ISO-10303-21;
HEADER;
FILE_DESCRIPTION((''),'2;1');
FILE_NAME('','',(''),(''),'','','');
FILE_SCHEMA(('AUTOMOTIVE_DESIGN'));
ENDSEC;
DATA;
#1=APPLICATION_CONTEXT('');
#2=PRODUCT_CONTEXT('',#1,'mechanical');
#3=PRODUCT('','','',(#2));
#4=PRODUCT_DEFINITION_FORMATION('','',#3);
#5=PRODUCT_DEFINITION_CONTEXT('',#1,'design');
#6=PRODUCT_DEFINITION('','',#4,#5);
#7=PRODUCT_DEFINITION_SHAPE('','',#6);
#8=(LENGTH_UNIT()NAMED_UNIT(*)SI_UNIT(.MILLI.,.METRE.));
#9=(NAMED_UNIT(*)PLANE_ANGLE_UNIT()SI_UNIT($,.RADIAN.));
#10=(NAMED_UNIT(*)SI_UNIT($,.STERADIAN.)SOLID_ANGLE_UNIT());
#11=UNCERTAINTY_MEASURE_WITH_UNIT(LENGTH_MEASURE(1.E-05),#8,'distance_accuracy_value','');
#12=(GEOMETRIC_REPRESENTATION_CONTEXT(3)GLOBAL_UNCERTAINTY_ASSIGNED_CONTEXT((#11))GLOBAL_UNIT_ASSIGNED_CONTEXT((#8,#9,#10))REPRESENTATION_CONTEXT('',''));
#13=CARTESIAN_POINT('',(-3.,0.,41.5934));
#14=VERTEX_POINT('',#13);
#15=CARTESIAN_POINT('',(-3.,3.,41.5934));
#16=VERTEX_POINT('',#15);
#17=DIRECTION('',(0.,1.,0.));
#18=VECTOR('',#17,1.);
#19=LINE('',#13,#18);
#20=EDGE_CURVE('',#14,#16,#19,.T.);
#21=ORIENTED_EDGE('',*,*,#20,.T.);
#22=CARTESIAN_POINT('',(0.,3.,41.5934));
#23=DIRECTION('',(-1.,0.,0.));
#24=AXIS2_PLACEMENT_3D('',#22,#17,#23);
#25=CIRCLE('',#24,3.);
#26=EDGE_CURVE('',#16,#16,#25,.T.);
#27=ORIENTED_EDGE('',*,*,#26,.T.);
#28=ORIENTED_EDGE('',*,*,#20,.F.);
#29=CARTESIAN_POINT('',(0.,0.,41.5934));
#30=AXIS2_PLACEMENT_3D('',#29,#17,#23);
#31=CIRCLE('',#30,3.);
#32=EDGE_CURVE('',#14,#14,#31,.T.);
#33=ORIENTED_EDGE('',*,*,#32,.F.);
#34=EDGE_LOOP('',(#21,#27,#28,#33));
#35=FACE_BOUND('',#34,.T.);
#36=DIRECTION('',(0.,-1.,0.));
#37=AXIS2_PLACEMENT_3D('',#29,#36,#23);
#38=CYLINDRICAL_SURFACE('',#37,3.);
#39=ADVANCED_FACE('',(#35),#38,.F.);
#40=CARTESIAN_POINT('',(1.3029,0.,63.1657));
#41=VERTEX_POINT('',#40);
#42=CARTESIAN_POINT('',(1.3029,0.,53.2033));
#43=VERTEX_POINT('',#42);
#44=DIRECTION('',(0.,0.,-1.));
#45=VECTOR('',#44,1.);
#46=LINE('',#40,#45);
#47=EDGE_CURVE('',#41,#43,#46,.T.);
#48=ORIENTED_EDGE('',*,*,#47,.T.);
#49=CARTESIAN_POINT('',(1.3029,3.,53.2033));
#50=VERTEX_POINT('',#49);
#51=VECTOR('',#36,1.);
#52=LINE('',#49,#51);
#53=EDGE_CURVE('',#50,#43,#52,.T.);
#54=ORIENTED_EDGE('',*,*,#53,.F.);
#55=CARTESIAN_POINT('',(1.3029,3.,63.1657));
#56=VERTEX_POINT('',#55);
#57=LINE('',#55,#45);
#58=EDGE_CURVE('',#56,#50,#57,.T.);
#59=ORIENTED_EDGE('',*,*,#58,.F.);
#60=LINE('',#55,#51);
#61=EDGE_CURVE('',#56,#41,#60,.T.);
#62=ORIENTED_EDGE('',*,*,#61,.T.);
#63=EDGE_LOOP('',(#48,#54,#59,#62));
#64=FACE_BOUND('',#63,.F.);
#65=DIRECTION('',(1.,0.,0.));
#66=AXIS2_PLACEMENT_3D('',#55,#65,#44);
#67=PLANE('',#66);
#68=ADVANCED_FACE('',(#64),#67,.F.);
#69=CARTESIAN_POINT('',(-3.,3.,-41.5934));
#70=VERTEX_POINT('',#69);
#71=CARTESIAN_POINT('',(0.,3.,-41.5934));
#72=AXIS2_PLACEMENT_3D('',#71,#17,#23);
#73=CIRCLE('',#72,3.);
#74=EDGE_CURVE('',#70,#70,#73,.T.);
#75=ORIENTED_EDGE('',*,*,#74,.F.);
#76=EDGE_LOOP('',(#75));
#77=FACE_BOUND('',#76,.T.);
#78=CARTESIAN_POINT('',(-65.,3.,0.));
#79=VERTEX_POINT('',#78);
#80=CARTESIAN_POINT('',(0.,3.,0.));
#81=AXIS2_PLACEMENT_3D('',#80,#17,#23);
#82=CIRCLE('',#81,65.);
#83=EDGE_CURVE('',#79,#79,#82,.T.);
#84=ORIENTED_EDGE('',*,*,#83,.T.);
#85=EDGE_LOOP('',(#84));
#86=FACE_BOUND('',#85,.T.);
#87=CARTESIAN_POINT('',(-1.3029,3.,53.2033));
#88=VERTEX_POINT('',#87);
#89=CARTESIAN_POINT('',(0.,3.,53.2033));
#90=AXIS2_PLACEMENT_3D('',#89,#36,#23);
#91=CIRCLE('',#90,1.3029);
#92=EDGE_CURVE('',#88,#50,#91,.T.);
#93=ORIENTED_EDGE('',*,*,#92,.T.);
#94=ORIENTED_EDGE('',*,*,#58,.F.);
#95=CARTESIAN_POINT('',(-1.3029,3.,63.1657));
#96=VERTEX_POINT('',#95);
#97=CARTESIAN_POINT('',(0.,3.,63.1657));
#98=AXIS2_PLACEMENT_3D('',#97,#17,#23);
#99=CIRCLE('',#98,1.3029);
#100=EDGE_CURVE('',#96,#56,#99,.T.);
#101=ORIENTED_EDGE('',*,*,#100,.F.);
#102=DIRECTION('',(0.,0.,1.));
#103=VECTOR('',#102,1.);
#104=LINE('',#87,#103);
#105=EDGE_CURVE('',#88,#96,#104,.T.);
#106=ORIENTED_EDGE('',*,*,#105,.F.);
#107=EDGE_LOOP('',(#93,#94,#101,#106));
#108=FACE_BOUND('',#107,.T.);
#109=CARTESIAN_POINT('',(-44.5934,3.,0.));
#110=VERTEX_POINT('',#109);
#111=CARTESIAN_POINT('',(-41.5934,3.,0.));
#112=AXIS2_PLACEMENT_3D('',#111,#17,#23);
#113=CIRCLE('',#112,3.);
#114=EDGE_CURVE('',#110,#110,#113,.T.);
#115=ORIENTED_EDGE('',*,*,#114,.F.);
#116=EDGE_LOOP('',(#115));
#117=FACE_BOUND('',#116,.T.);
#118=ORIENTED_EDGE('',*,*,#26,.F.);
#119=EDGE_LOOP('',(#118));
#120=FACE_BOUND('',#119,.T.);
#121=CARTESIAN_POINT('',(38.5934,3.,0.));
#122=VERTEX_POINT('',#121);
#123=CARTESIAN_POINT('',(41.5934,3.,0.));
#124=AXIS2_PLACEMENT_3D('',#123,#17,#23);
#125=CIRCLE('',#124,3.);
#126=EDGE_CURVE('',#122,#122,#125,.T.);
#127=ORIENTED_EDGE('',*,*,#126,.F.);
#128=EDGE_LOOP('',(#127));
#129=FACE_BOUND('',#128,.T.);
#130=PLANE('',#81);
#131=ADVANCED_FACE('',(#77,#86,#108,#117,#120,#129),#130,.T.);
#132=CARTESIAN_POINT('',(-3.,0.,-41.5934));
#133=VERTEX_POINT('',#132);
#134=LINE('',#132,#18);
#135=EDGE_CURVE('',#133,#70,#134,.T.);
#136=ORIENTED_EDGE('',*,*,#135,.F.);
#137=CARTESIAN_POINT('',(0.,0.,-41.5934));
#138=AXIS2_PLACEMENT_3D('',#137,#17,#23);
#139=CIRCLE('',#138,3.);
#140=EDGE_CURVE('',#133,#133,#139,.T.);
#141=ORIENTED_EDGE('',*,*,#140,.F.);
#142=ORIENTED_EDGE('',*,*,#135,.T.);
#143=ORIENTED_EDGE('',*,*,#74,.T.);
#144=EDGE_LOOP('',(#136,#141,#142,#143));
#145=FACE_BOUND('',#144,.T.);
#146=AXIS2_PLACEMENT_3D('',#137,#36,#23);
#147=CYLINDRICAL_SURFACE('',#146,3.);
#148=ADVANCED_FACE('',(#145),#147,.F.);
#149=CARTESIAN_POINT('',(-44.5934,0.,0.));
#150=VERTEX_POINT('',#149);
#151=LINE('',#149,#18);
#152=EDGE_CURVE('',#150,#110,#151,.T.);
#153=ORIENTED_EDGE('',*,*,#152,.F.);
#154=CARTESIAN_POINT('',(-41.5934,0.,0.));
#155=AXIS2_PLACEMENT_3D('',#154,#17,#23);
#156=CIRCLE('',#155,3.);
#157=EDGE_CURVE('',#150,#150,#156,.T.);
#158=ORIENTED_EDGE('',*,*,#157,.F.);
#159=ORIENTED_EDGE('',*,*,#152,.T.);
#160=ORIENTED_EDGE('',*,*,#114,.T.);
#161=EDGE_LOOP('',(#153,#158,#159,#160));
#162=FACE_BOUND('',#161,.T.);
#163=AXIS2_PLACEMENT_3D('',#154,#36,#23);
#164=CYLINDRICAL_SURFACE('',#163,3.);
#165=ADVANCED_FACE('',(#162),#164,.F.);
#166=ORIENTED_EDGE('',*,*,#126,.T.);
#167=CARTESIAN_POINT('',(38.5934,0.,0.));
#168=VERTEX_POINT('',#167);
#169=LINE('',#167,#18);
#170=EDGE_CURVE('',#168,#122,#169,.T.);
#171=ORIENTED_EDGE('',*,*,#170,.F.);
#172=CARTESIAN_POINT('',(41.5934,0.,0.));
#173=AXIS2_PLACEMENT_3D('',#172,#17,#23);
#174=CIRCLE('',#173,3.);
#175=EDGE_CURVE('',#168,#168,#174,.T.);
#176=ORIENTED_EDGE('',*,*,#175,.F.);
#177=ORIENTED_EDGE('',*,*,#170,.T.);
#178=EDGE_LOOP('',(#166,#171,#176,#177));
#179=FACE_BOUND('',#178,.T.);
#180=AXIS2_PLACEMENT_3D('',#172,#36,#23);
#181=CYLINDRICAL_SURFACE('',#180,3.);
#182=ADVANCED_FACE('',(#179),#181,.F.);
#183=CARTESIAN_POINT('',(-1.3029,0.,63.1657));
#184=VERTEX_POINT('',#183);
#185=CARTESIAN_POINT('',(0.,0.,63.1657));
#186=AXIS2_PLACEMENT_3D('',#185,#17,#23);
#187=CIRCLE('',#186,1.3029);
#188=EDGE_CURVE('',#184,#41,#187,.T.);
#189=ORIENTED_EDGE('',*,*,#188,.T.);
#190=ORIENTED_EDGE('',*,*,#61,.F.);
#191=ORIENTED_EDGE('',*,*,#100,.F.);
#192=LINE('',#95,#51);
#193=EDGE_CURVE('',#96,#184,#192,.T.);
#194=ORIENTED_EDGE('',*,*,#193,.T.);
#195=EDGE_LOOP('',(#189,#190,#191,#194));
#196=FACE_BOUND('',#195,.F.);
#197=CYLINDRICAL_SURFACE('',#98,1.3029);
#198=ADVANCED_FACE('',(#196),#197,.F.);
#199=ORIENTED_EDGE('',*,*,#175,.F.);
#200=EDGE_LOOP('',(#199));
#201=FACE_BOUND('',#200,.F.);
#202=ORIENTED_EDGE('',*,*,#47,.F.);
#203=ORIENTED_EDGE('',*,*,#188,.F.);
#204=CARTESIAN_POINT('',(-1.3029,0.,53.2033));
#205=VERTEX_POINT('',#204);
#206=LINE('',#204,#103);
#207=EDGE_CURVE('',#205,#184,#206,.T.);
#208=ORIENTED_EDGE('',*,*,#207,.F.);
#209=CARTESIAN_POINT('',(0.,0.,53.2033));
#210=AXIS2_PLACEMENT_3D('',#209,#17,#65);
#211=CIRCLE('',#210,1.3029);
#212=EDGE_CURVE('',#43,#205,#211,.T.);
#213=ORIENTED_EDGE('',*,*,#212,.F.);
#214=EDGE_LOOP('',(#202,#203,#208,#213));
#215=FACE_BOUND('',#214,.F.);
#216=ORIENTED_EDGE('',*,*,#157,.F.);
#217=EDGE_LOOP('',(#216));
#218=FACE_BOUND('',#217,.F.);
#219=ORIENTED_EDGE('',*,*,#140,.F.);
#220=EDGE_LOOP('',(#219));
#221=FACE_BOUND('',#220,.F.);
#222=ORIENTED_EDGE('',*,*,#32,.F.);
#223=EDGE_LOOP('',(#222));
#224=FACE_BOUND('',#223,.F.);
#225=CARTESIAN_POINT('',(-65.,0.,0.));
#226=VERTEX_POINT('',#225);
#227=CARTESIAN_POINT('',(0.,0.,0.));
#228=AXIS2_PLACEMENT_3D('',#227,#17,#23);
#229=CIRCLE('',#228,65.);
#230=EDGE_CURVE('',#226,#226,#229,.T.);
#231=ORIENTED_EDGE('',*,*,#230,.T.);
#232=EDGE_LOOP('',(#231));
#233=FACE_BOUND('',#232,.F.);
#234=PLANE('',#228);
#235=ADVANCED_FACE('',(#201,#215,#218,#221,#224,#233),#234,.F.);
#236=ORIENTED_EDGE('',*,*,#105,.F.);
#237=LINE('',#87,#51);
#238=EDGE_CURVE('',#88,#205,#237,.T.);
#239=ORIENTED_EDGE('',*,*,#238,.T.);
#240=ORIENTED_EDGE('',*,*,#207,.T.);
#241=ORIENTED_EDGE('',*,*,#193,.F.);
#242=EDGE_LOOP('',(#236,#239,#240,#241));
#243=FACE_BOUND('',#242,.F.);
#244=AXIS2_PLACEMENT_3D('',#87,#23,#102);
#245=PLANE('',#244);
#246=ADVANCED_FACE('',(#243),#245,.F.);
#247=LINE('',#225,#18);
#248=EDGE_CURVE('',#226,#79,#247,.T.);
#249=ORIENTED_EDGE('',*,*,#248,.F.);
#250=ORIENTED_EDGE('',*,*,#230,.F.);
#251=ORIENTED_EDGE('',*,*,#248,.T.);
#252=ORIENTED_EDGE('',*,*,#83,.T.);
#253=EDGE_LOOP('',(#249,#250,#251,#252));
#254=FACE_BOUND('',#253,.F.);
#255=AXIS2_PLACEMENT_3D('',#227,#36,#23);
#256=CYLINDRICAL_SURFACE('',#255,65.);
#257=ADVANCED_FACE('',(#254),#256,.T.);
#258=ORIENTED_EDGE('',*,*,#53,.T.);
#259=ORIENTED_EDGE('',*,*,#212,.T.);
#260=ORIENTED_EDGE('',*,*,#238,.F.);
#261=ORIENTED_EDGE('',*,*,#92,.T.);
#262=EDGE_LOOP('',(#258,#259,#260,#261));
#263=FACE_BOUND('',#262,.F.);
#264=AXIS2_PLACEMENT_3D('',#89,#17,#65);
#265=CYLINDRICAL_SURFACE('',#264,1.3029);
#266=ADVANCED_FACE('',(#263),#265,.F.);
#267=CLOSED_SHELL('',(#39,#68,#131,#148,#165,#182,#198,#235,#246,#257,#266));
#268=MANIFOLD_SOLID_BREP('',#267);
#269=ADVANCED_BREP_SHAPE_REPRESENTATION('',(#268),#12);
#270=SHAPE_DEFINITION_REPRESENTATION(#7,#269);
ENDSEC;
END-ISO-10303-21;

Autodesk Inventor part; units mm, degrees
ref_plane "YZ Plane" through (0, 0, 0) normal (1, 0, 0) x (0, 1, 0)
ref_plane "XZ Plane" through (0, 0, 0) normal (0, 1, 0) x (-1, 0, 0)
ref_plane "XY Plane" through (0, 0, 0) normal (0, 0, 1) x (1, 0, 0)
sketch "Эскиз1" plane through (0, 0, 0) normal (0, 1, 0) x (-1, 0, 0)
  circle A0 centre (0, 41.5934) radius 3
  circle A1 centre (41.5934, 0) radius 3
  circle A2 centre (0, -41.5934) radius 3
  arc A3 (-20.609, 31.365) -> (-31.365, 20.609) centre (0, 0) ccw
  arc A4 (-45.7097, 6.2695) -> (-31.365, 20.609) centre (-73.1517, 48.0658) ccw
  arc A5 (-45.7097, 6.2695) -> (-45.7097, -6.2695) centre (-41.5934, 0) ccw
  arc A6 (-31.365, -20.609) -> (-45.7097, -6.2695) centre (-73.1517, -48.0658) ccw
  arc A7 (-31.365, -20.609) -> (-20.609, -31.365) centre (0, 0) ccw
  arc A8 (-6.2695, -45.7097) -> (-20.609, -31.365) centre (-48.0658, -73.1517) ccw
  arc A9 (-6.2695, -45.7097) -> (6.2695, -45.7097) centre (0, -41.5934) ccw
  arc A10 (20.609, -31.365) -> (6.2695, -45.7097) centre (48.0658, -73.1517) ccw
  arc A11 (20.609, -31.365) -> (31.365, -20.609) centre (0, 0) ccw
  arc A12 (45.7097, -6.2695) -> (31.365, -20.609) centre (73.1517, -48.0658) ccw
  arc A13 (45.7097, -6.2695) -> (45.7097, 6.2695) centre (41.5934, 0) ccw
  arc A14 (31.365, 20.609) -> (45.7097, 6.2695) centre (73.1517, 48.0658) ccw
  arc A15 (31.365, 20.609) -> (20.609, 31.365) centre (0, 0) ccw
  arc A16 (6.2695, 45.7097) -> (20.609, 31.365) centre (48.0658, 73.1517) ccw
  arc A17 (6.2695, 45.7097) -> (-6.2695, 45.7097) centre (0, 41.5934) ccw
  arc A18 (-20.609, 31.365) -> (-6.2695, 45.7097) centre (-48.0658, 73.1517) ccw
  circle A19 centre (-41.5934, 0) radius 3
  circle A20 centre (0, 0) radius 65
  dimension "d0" = 130
extrude "Выдавливание1" add sketch "Эскиз1" along normal blind 3 contours A18 A17 A16 A15 A14 A13 A12 A11 A10 A9 A8 A7 A6 A5 A4 A3 | A20
sketch "Эскиз2" plane through (0, 3, 0) normal (0, 1, 0) x (1, 0, 0)
  line L0 (0, 0) -> (0, -58.9628)
  line L1 (0, -63.1657) -> (0, -53.2033) construction
  line L2 (1.3029, -63.1657) -> (1.3029, -53.2033)
  line L3 (-1.3029, -53.2033) -> (-1.3029, -63.1657)
  arc A0 (-1.3029, -63.1657) -> (1.3029, -63.1657) centre (0, -63.1657) ccw
  arc A1 (1.3029, -53.2033) -> (-1.3029, -53.2033) centre (0, -53.2033) ccw
  point P0 (0, -58.1845)
extrude "Выдавливание2" cut sketch "Эскиз2" against normal blind 3
sketch "Эскиз3" plane through (0, 3, 0) normal (0, 1, 0) x (1, 0, 0)
  arc A0 (1.3029, -53.2033) -> (-1.3029, -53.2033) centre (0, -53.2033) ccw projected
  line L0 (1.3029, -53.2033) -> (1.3029, -63.1657) projected
  arc A1 (-1.3029, -63.1657) -> (1.3029, -63.1657) centre (0, -63.1657) ccw projected
  line L1 (-1.3029, -63.1657) -> (-1.3029, -53.2033) projected
  circle A2 centre (41.5934, 0) radius 3 projected
  circle A3 centre (0, 41.5934) radius 3 projected
  circle A4 centre (-41.5934, 0) radius 3 projected
  circle A5 centre (0, -41.5934) radius 3 projected
  circle A6 centre (0, 0) radius 65 projected
properties part number "disk_of_zero"
